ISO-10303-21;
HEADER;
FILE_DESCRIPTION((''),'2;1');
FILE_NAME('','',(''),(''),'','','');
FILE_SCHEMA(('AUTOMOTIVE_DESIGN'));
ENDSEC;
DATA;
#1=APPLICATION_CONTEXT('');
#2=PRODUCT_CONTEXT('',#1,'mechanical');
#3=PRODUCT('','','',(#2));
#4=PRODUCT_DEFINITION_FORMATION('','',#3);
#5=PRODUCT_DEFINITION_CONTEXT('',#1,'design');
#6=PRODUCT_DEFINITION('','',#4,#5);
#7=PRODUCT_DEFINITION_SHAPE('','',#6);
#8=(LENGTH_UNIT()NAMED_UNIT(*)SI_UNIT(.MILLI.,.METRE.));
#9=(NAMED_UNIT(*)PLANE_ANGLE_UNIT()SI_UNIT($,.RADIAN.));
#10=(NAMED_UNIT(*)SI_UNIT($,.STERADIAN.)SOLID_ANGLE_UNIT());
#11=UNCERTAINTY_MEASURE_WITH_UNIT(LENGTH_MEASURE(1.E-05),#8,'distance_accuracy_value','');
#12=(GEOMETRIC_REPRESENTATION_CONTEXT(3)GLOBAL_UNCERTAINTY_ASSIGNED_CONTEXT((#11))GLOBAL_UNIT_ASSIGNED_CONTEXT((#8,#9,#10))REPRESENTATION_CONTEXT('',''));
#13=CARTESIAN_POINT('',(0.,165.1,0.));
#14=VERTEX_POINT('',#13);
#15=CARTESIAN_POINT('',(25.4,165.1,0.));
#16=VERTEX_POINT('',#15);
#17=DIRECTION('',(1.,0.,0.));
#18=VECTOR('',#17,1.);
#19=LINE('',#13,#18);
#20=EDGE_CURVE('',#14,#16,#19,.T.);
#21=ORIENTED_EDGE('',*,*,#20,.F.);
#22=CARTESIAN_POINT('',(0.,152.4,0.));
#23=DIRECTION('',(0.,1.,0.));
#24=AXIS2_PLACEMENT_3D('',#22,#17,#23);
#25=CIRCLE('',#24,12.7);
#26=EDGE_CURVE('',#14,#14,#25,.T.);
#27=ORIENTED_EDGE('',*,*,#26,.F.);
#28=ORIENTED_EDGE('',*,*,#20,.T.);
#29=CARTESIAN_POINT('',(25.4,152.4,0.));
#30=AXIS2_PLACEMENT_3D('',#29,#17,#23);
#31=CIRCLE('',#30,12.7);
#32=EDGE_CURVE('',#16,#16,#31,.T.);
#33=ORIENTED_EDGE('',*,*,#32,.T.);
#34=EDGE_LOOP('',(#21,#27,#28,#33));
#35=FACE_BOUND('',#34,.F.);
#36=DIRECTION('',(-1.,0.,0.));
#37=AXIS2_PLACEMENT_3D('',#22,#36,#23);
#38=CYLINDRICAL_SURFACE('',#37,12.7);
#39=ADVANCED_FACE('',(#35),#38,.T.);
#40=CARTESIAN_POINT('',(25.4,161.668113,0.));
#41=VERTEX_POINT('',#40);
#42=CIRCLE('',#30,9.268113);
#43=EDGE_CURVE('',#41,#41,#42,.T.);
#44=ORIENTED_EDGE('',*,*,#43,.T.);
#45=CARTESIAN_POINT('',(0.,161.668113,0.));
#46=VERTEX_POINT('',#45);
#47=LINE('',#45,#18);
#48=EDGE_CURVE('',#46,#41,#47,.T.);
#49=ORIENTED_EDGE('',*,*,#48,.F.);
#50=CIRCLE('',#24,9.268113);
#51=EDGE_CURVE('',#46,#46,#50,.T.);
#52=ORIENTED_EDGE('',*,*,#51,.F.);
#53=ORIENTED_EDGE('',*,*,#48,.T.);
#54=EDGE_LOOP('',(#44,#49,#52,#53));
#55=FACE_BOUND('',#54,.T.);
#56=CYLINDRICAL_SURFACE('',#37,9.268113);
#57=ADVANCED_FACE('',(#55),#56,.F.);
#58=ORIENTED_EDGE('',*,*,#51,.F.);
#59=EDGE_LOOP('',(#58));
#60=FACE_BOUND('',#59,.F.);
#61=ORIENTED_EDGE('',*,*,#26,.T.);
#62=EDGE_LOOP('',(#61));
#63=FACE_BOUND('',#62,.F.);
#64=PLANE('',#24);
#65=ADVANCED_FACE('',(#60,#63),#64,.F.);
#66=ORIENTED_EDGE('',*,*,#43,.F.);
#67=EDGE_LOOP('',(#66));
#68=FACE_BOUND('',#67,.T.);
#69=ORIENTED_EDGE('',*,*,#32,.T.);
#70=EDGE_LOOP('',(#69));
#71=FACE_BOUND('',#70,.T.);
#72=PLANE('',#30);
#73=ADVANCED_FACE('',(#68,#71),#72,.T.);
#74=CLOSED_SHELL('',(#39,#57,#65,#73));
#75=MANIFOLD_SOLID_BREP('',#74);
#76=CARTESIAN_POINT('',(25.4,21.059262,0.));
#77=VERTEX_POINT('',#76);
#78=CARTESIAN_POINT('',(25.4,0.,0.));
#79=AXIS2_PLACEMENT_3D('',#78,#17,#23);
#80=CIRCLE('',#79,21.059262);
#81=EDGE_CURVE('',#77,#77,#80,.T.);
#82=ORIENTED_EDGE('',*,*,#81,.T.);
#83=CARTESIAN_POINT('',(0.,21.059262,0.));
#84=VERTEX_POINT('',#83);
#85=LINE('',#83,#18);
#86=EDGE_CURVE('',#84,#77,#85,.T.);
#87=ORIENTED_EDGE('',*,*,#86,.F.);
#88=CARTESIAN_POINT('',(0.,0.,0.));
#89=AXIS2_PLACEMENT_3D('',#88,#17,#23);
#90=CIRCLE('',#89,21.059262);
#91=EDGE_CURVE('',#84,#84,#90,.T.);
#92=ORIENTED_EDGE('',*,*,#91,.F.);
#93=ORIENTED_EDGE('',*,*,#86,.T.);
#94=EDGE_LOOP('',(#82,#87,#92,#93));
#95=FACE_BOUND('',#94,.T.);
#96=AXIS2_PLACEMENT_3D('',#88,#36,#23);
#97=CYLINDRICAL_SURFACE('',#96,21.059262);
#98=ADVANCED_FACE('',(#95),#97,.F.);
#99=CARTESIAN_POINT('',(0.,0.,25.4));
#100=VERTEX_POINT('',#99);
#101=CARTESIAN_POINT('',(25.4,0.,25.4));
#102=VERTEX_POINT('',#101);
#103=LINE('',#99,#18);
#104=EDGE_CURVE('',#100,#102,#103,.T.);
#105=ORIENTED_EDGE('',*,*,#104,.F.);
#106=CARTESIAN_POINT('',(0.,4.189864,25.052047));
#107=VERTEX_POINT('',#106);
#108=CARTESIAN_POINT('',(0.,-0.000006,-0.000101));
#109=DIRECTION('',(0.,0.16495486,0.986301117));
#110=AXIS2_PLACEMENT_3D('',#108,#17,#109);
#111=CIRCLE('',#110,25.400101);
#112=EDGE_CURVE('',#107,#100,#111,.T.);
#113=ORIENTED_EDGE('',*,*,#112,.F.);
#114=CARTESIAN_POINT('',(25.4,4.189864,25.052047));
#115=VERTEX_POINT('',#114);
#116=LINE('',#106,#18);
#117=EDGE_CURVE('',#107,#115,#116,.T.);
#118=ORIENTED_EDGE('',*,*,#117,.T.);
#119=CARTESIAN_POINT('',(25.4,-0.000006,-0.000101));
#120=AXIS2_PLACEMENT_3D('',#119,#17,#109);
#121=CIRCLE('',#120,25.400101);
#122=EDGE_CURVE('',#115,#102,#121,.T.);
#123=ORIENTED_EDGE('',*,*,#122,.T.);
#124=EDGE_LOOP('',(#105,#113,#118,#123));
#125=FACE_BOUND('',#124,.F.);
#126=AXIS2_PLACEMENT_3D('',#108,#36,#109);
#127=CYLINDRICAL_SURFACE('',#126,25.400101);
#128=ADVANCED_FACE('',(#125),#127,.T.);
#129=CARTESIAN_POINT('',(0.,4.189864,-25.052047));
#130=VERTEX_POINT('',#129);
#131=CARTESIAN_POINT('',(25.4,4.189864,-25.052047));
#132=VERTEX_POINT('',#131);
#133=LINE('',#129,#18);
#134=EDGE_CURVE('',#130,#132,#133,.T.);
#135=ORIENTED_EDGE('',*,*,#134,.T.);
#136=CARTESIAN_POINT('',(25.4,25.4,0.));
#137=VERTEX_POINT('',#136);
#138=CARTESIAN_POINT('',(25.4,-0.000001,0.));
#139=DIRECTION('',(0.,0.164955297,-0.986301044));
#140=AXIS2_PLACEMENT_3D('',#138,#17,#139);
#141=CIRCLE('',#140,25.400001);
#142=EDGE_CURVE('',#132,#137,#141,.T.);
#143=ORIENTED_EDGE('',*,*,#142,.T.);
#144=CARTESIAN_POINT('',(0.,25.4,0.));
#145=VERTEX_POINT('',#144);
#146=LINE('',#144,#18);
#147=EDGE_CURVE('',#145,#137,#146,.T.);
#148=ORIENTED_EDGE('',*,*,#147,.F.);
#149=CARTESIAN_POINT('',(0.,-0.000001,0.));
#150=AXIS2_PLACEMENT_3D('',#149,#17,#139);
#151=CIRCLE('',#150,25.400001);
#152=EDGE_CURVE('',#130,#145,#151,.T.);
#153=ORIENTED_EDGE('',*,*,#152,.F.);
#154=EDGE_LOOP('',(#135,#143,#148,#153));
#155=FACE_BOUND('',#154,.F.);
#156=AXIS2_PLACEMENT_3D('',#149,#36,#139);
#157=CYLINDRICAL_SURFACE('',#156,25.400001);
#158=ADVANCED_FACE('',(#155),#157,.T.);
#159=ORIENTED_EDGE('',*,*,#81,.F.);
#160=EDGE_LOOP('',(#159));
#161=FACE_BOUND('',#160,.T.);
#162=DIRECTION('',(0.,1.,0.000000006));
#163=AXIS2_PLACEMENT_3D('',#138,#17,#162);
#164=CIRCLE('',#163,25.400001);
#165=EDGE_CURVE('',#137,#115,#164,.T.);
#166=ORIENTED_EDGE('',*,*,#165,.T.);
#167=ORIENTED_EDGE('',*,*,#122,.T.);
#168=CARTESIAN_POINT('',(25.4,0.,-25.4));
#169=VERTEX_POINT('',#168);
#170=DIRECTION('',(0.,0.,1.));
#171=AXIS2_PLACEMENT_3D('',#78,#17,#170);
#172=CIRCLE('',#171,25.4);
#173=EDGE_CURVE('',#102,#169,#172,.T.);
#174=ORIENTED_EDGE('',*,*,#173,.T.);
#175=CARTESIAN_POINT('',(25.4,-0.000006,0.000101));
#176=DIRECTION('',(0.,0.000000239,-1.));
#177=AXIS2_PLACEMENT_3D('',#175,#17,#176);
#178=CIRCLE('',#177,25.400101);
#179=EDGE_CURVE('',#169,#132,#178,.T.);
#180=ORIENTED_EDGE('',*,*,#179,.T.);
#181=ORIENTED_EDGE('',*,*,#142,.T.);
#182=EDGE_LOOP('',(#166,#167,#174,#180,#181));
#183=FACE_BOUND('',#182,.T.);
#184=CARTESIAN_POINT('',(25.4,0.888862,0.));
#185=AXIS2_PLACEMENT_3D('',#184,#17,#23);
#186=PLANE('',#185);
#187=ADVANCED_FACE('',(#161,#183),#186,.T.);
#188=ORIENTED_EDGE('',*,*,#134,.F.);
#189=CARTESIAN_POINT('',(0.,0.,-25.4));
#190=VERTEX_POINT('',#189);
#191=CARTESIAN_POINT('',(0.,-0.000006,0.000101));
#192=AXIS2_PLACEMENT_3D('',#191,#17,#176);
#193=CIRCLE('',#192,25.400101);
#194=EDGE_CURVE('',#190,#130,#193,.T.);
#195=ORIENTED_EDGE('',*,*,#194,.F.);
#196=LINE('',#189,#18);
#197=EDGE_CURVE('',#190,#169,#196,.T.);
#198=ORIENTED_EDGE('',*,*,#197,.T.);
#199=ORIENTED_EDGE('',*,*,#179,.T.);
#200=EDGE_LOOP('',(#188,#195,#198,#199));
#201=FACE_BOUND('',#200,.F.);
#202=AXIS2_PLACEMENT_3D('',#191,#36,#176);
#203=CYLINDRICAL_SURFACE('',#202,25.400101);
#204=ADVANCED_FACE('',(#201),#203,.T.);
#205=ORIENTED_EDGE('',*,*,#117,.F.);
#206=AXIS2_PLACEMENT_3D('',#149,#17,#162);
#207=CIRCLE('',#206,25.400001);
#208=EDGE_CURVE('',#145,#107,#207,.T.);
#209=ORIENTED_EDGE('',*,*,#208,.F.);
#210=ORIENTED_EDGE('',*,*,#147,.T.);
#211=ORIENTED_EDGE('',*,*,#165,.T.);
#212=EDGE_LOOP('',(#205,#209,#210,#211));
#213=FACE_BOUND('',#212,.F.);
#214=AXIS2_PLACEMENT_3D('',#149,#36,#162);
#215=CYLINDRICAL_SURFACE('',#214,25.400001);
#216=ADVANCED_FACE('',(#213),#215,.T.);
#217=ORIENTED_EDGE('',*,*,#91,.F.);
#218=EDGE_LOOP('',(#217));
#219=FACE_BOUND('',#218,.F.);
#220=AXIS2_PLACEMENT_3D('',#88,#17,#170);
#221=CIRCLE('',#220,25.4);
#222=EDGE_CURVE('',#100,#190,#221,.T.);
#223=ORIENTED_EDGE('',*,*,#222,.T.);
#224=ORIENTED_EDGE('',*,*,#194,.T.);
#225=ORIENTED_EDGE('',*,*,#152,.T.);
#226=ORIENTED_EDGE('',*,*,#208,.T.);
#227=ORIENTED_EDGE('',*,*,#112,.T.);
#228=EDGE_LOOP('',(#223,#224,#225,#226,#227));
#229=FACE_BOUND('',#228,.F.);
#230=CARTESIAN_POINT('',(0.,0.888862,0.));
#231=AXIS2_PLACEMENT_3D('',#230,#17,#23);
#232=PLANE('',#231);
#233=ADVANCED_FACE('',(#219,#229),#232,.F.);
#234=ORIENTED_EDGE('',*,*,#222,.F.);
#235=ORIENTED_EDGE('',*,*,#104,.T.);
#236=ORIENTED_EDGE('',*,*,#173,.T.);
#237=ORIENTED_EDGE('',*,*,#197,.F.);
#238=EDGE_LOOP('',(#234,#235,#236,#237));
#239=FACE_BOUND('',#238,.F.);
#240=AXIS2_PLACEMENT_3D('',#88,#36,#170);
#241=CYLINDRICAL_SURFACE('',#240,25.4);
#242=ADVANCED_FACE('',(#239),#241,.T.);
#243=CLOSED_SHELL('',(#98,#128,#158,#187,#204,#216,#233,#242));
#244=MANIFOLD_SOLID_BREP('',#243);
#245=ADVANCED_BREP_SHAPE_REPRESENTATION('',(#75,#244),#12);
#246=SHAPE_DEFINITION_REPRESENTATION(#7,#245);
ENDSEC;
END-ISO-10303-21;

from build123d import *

# Parameters (mm, degrees)
F0_R     = 21.059262
F0_R_2   = 12.7
F0_R_3   = 9.268113
F1_DEPTH = 25.4


with BuildPart() as f1:
    # F0 (on Right) → F1 (new body)
    with BuildSketch(Plane.YZ):
        with BuildLine():
            Line((4.189864, 25.052047), (0, 25.4))
            ThreePointArc((0, 25.4), (-25.4, 0), (0, -25.4))
            Line((0, -25.4), (4.189864, -25.052047))
            ThreePointArc((4.189864, -25.052047), (19.385337, -16.412456), (25.4, 0))
            ThreePointArc((25.4, 0), (19.385337, 16.412456), (4.189864, 25.052047))
        make_face()
        Circle(F0_R, mode=Mode.SUBTRACT)
        with BuildLine():
            ThreePointArc((4.189864, 25.052047), (2.102144, 25.312862), (0, 25.4))
            Line((0, 25.4), (4.189864, 25.052047))
        make_face()
        with BuildLine():
            Line((4.189864, -25.052047), (0, -25.4))
            ThreePointArc((0, -25.4), (2.102144, -25.312862), (4.189864, -25.052047))
        make_face()
        with Locations((152.4, 0)):
            Circle(F0_R_2)
        with Locations((152.4, 0)):
            Circle(F0_R_3, mode=Mode.SUBTRACT)
    extrude(amount=F1_DEPTH)


solid = f1.part
